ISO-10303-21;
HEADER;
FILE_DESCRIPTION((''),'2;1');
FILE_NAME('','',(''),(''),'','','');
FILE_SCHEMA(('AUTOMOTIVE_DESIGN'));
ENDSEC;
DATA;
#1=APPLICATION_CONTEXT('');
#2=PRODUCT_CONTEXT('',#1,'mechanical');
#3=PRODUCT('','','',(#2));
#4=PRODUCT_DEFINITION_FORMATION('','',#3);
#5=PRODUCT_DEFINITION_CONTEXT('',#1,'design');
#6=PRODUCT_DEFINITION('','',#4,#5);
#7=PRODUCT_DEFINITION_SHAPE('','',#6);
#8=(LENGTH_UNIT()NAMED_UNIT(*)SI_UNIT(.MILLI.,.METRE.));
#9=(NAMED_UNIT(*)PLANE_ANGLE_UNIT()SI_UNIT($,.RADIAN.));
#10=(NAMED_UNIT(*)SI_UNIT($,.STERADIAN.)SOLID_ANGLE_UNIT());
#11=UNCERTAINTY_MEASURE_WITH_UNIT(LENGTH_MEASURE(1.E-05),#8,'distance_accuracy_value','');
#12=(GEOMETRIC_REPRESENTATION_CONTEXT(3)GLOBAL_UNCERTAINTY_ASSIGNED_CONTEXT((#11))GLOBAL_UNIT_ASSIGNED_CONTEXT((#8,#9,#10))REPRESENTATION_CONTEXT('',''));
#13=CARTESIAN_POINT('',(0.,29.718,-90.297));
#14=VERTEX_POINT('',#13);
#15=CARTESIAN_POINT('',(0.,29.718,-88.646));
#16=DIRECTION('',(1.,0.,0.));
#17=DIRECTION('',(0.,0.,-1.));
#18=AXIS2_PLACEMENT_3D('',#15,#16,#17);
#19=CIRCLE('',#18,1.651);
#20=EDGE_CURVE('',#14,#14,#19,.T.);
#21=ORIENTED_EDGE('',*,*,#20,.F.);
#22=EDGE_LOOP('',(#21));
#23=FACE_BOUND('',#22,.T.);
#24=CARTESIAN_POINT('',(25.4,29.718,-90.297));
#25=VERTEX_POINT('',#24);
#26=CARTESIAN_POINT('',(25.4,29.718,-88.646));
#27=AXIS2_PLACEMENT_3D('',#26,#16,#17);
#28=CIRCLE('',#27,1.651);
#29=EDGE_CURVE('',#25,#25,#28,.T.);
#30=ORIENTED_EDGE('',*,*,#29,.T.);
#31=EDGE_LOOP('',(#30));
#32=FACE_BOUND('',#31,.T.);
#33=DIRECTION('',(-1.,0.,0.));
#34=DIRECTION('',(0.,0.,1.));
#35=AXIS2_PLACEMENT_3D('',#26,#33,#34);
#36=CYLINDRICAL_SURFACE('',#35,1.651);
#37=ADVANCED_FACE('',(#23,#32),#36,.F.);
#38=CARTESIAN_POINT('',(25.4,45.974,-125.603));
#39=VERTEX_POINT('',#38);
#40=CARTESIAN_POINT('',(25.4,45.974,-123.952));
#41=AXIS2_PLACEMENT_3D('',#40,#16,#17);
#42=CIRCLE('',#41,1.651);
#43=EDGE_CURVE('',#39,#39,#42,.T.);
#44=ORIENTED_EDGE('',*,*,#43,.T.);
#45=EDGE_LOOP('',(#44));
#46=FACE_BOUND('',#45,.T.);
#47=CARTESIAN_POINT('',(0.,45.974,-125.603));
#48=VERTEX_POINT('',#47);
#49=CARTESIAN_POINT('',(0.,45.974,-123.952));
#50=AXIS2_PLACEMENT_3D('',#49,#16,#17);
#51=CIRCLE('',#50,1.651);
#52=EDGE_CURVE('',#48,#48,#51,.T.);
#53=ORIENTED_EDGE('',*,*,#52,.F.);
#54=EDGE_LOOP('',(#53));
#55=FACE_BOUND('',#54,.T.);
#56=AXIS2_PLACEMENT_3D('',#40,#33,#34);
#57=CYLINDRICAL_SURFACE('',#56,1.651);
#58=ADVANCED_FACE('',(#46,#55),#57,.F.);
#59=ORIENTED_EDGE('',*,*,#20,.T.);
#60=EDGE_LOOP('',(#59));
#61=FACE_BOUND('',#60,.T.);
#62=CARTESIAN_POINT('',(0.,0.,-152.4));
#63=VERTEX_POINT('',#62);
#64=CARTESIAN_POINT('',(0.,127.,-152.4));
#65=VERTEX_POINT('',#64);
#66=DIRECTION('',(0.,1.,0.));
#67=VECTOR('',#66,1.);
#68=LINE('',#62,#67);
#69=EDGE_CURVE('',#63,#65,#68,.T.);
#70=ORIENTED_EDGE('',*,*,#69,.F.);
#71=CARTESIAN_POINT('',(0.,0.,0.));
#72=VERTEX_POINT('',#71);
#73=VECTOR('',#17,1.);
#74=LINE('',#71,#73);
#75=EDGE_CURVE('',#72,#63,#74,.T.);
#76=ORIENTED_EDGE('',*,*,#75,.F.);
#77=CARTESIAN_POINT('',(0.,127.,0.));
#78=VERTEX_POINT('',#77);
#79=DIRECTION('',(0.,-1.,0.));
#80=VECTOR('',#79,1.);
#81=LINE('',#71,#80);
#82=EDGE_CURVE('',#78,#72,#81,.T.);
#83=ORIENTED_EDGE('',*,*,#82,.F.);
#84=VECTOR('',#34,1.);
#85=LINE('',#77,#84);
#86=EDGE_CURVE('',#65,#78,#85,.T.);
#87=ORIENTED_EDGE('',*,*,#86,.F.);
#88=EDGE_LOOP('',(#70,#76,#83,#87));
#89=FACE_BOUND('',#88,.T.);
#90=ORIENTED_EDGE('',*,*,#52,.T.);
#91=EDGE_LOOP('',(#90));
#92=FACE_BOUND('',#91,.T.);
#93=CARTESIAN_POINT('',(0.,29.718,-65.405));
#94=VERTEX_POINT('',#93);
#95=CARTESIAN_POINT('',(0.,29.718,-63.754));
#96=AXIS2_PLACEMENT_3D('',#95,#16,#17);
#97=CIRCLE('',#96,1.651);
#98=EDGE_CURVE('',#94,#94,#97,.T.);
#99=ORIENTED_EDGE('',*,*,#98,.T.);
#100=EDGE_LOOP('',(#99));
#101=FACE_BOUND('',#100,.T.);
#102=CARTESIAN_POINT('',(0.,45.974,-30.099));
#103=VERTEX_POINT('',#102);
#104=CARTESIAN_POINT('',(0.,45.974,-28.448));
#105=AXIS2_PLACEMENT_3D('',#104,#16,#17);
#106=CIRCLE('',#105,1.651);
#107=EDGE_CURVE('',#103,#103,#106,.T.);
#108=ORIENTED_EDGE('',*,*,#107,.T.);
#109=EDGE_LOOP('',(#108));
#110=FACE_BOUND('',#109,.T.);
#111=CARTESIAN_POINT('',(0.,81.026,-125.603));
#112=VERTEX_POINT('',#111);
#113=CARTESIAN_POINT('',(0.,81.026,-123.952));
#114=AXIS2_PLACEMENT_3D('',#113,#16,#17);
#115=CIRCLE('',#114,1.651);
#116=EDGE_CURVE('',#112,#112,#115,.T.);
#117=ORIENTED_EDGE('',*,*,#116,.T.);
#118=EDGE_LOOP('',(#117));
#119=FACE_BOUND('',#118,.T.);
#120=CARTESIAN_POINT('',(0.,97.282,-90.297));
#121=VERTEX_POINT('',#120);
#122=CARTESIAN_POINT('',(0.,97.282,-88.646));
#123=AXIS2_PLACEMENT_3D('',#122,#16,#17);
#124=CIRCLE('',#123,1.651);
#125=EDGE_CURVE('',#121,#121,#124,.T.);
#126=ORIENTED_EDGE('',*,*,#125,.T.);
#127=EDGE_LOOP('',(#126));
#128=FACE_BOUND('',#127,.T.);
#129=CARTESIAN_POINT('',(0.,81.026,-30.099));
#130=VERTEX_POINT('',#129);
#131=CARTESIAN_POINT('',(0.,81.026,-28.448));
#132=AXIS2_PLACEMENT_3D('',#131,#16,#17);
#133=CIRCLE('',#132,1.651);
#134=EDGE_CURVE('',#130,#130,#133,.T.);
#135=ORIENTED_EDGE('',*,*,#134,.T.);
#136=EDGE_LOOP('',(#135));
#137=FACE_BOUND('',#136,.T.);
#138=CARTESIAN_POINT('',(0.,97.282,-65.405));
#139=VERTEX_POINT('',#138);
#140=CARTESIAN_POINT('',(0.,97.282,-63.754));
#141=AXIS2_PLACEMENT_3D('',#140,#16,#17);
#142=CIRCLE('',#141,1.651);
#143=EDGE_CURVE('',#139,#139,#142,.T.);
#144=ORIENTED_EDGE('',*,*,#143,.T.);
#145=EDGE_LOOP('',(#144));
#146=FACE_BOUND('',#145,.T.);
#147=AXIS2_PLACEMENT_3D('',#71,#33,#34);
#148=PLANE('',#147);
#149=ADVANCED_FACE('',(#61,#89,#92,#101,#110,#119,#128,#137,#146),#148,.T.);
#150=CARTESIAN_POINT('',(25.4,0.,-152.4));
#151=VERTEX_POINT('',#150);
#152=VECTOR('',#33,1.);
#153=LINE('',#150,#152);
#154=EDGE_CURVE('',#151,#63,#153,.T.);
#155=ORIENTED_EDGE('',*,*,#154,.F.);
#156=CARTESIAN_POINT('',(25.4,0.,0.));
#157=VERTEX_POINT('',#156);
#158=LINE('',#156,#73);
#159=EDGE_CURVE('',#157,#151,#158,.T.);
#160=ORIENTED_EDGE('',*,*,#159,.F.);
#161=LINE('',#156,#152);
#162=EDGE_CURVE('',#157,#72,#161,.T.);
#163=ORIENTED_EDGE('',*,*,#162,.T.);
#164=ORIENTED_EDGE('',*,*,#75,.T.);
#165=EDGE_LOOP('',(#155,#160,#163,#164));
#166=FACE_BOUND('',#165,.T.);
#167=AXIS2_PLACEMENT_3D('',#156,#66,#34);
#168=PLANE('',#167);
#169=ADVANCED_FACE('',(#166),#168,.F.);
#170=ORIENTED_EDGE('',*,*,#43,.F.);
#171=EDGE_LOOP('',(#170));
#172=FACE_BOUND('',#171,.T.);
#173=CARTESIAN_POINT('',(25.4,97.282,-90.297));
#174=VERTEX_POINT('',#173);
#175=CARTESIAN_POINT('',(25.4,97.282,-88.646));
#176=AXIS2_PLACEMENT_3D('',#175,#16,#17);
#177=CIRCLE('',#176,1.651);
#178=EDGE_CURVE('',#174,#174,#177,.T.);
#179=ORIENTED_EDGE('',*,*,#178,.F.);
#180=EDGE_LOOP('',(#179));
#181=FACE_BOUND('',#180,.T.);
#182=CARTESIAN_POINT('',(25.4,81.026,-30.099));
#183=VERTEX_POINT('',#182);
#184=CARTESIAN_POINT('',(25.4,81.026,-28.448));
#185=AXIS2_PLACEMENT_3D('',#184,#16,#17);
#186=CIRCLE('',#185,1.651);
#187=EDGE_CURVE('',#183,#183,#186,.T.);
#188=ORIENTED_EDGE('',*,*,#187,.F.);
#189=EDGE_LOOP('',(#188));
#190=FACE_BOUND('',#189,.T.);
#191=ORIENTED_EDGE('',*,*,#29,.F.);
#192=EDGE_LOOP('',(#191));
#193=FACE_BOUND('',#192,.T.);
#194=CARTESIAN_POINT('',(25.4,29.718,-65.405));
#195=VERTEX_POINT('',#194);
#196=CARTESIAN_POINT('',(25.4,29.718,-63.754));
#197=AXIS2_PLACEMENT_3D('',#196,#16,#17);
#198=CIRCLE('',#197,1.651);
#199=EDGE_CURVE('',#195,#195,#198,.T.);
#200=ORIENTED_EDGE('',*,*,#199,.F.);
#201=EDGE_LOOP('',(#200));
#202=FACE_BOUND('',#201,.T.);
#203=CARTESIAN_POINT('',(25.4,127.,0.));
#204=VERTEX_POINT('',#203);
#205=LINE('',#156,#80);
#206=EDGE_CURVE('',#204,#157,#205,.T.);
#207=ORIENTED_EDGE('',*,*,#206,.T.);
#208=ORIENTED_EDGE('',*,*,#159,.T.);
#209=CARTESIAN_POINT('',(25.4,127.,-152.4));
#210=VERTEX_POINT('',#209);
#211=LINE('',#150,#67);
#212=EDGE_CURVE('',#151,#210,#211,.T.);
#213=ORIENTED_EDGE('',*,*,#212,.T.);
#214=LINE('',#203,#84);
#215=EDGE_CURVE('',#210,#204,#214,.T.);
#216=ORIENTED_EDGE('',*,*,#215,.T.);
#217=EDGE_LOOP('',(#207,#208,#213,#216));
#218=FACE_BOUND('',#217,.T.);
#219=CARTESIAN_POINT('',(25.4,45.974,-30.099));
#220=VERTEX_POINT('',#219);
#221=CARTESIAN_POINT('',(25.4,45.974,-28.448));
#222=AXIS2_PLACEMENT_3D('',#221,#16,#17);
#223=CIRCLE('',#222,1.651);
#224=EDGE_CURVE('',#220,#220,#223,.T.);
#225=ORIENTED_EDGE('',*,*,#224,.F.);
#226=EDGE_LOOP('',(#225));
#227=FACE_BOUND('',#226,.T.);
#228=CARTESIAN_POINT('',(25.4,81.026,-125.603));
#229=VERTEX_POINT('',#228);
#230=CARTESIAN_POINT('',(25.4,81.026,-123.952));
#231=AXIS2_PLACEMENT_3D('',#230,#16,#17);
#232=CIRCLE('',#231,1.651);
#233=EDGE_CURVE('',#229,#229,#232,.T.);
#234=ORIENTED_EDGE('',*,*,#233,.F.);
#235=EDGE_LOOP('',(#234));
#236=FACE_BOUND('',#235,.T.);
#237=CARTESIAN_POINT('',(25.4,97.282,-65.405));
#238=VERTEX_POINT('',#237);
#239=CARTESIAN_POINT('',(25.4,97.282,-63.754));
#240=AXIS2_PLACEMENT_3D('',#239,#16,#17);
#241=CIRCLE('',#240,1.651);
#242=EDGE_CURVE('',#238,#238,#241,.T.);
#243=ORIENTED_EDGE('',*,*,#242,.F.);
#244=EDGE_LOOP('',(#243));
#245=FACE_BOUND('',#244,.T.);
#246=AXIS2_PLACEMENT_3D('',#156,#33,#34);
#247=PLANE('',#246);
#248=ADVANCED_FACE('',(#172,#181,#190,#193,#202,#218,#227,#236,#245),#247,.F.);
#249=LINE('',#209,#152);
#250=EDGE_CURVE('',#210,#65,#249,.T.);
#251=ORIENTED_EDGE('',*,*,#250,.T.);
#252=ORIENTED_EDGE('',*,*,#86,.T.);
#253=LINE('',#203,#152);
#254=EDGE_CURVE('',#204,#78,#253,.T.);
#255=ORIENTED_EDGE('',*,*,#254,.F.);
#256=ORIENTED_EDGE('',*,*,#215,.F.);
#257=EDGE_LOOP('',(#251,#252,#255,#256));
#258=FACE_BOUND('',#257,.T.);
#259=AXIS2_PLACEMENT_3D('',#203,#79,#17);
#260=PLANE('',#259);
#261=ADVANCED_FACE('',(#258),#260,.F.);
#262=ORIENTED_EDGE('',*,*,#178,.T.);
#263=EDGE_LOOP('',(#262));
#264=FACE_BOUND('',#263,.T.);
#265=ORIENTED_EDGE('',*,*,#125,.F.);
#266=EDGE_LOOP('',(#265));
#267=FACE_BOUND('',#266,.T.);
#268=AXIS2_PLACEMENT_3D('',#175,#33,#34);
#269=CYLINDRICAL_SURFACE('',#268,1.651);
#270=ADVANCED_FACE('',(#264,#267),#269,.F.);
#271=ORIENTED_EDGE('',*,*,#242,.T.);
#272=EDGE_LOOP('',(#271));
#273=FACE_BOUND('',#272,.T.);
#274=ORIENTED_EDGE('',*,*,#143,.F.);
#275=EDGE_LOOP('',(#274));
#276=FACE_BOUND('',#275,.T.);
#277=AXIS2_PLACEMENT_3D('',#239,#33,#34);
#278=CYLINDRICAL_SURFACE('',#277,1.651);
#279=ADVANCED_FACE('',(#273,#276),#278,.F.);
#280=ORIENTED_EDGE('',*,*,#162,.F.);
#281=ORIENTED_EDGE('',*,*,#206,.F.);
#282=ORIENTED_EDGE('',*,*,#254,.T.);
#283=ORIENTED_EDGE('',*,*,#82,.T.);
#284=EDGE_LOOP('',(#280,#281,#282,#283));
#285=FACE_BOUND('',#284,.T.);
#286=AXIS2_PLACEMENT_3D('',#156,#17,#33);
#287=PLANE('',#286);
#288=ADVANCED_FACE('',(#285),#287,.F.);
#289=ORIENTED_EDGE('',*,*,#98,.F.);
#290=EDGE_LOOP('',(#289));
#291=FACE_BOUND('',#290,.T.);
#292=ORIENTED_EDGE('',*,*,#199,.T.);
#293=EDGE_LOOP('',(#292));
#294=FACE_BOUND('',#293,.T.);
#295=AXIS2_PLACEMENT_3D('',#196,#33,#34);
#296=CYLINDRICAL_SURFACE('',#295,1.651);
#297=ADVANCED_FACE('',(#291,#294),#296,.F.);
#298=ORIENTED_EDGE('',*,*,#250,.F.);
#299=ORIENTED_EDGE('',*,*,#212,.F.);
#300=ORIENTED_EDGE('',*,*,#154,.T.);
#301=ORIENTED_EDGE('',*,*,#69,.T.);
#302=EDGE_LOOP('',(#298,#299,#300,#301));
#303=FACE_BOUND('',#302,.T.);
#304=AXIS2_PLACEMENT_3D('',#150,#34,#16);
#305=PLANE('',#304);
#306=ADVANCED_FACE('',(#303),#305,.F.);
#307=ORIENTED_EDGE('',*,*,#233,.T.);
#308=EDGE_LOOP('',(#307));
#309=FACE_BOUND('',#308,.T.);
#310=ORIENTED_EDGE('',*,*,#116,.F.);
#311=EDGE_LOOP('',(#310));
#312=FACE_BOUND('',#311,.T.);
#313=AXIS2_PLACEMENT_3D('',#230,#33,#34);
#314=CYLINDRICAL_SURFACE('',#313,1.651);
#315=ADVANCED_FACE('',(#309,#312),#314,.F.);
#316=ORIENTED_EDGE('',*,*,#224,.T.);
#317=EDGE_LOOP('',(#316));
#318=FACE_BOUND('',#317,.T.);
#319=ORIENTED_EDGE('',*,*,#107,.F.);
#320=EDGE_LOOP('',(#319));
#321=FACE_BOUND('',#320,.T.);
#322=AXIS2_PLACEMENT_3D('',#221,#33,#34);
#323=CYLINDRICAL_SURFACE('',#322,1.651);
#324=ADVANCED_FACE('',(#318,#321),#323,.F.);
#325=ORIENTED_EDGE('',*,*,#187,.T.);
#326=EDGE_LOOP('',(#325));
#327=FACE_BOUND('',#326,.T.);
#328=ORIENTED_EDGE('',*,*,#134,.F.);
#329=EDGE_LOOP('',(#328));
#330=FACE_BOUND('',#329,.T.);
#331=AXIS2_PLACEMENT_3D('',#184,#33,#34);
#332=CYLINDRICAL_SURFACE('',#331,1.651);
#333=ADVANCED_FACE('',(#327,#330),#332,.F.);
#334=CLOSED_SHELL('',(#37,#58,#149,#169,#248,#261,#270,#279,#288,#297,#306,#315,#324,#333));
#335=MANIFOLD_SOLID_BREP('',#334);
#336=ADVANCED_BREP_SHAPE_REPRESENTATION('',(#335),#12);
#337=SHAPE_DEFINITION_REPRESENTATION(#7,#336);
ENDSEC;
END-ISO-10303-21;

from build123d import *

# Parameters (mm, degrees)
SKETCH1_W           = 152.4
SKETCH1_H           = 127
SKETCH1_R           = 1.651
BOSS_EXTRUDE1_DEPTH = 25.4


with BuildPart() as part:
    # Sketch1 → Boss-Extrude1 (new body)
    with BuildSketch(Plane(origin=(0, 0, 0), x_dir=(0, 0, -1), z_dir=(1, 0, 0))):
        with Locations((76.2, 63.5)):
            Rectangle(SKETCH1_W, SKETCH1_H)
        with Locations((28.448, 81.026)):
            Circle(SKETCH1_R, mode=Mode.SUBTRACT)
        with Locations((28.448, 45.974)):
            Circle(SKETCH1_R, mode=Mode.SUBTRACT)
        with Locations((123.952, 81.026)):
            Circle(SKETCH1_R, mode=Mode.SUBTRACT)
        with Locations((123.952, 45.974)):
            Circle(SKETCH1_R, mode=Mode.SUBTRACT)
        with Locations((63.754, 97.282)):
            Circle(SKETCH1_R, mode=Mode.SUBTRACT)
        with Locations((88.646, 97.282)):
            Circle(SKETCH1_R, mode=Mode.SUBTRACT)
        with Locations((63.754, 29.718)):
            Circle(SKETCH1_R, mode=Mode.SUBTRACT)
        with Locations((88.646, 29.718)):
            Circle(SKETCH1_R, mode=Mode.SUBTRACT)
    extrude(amount=BOSS_EXTRUDE1_DEPTH)


solid = part.part
